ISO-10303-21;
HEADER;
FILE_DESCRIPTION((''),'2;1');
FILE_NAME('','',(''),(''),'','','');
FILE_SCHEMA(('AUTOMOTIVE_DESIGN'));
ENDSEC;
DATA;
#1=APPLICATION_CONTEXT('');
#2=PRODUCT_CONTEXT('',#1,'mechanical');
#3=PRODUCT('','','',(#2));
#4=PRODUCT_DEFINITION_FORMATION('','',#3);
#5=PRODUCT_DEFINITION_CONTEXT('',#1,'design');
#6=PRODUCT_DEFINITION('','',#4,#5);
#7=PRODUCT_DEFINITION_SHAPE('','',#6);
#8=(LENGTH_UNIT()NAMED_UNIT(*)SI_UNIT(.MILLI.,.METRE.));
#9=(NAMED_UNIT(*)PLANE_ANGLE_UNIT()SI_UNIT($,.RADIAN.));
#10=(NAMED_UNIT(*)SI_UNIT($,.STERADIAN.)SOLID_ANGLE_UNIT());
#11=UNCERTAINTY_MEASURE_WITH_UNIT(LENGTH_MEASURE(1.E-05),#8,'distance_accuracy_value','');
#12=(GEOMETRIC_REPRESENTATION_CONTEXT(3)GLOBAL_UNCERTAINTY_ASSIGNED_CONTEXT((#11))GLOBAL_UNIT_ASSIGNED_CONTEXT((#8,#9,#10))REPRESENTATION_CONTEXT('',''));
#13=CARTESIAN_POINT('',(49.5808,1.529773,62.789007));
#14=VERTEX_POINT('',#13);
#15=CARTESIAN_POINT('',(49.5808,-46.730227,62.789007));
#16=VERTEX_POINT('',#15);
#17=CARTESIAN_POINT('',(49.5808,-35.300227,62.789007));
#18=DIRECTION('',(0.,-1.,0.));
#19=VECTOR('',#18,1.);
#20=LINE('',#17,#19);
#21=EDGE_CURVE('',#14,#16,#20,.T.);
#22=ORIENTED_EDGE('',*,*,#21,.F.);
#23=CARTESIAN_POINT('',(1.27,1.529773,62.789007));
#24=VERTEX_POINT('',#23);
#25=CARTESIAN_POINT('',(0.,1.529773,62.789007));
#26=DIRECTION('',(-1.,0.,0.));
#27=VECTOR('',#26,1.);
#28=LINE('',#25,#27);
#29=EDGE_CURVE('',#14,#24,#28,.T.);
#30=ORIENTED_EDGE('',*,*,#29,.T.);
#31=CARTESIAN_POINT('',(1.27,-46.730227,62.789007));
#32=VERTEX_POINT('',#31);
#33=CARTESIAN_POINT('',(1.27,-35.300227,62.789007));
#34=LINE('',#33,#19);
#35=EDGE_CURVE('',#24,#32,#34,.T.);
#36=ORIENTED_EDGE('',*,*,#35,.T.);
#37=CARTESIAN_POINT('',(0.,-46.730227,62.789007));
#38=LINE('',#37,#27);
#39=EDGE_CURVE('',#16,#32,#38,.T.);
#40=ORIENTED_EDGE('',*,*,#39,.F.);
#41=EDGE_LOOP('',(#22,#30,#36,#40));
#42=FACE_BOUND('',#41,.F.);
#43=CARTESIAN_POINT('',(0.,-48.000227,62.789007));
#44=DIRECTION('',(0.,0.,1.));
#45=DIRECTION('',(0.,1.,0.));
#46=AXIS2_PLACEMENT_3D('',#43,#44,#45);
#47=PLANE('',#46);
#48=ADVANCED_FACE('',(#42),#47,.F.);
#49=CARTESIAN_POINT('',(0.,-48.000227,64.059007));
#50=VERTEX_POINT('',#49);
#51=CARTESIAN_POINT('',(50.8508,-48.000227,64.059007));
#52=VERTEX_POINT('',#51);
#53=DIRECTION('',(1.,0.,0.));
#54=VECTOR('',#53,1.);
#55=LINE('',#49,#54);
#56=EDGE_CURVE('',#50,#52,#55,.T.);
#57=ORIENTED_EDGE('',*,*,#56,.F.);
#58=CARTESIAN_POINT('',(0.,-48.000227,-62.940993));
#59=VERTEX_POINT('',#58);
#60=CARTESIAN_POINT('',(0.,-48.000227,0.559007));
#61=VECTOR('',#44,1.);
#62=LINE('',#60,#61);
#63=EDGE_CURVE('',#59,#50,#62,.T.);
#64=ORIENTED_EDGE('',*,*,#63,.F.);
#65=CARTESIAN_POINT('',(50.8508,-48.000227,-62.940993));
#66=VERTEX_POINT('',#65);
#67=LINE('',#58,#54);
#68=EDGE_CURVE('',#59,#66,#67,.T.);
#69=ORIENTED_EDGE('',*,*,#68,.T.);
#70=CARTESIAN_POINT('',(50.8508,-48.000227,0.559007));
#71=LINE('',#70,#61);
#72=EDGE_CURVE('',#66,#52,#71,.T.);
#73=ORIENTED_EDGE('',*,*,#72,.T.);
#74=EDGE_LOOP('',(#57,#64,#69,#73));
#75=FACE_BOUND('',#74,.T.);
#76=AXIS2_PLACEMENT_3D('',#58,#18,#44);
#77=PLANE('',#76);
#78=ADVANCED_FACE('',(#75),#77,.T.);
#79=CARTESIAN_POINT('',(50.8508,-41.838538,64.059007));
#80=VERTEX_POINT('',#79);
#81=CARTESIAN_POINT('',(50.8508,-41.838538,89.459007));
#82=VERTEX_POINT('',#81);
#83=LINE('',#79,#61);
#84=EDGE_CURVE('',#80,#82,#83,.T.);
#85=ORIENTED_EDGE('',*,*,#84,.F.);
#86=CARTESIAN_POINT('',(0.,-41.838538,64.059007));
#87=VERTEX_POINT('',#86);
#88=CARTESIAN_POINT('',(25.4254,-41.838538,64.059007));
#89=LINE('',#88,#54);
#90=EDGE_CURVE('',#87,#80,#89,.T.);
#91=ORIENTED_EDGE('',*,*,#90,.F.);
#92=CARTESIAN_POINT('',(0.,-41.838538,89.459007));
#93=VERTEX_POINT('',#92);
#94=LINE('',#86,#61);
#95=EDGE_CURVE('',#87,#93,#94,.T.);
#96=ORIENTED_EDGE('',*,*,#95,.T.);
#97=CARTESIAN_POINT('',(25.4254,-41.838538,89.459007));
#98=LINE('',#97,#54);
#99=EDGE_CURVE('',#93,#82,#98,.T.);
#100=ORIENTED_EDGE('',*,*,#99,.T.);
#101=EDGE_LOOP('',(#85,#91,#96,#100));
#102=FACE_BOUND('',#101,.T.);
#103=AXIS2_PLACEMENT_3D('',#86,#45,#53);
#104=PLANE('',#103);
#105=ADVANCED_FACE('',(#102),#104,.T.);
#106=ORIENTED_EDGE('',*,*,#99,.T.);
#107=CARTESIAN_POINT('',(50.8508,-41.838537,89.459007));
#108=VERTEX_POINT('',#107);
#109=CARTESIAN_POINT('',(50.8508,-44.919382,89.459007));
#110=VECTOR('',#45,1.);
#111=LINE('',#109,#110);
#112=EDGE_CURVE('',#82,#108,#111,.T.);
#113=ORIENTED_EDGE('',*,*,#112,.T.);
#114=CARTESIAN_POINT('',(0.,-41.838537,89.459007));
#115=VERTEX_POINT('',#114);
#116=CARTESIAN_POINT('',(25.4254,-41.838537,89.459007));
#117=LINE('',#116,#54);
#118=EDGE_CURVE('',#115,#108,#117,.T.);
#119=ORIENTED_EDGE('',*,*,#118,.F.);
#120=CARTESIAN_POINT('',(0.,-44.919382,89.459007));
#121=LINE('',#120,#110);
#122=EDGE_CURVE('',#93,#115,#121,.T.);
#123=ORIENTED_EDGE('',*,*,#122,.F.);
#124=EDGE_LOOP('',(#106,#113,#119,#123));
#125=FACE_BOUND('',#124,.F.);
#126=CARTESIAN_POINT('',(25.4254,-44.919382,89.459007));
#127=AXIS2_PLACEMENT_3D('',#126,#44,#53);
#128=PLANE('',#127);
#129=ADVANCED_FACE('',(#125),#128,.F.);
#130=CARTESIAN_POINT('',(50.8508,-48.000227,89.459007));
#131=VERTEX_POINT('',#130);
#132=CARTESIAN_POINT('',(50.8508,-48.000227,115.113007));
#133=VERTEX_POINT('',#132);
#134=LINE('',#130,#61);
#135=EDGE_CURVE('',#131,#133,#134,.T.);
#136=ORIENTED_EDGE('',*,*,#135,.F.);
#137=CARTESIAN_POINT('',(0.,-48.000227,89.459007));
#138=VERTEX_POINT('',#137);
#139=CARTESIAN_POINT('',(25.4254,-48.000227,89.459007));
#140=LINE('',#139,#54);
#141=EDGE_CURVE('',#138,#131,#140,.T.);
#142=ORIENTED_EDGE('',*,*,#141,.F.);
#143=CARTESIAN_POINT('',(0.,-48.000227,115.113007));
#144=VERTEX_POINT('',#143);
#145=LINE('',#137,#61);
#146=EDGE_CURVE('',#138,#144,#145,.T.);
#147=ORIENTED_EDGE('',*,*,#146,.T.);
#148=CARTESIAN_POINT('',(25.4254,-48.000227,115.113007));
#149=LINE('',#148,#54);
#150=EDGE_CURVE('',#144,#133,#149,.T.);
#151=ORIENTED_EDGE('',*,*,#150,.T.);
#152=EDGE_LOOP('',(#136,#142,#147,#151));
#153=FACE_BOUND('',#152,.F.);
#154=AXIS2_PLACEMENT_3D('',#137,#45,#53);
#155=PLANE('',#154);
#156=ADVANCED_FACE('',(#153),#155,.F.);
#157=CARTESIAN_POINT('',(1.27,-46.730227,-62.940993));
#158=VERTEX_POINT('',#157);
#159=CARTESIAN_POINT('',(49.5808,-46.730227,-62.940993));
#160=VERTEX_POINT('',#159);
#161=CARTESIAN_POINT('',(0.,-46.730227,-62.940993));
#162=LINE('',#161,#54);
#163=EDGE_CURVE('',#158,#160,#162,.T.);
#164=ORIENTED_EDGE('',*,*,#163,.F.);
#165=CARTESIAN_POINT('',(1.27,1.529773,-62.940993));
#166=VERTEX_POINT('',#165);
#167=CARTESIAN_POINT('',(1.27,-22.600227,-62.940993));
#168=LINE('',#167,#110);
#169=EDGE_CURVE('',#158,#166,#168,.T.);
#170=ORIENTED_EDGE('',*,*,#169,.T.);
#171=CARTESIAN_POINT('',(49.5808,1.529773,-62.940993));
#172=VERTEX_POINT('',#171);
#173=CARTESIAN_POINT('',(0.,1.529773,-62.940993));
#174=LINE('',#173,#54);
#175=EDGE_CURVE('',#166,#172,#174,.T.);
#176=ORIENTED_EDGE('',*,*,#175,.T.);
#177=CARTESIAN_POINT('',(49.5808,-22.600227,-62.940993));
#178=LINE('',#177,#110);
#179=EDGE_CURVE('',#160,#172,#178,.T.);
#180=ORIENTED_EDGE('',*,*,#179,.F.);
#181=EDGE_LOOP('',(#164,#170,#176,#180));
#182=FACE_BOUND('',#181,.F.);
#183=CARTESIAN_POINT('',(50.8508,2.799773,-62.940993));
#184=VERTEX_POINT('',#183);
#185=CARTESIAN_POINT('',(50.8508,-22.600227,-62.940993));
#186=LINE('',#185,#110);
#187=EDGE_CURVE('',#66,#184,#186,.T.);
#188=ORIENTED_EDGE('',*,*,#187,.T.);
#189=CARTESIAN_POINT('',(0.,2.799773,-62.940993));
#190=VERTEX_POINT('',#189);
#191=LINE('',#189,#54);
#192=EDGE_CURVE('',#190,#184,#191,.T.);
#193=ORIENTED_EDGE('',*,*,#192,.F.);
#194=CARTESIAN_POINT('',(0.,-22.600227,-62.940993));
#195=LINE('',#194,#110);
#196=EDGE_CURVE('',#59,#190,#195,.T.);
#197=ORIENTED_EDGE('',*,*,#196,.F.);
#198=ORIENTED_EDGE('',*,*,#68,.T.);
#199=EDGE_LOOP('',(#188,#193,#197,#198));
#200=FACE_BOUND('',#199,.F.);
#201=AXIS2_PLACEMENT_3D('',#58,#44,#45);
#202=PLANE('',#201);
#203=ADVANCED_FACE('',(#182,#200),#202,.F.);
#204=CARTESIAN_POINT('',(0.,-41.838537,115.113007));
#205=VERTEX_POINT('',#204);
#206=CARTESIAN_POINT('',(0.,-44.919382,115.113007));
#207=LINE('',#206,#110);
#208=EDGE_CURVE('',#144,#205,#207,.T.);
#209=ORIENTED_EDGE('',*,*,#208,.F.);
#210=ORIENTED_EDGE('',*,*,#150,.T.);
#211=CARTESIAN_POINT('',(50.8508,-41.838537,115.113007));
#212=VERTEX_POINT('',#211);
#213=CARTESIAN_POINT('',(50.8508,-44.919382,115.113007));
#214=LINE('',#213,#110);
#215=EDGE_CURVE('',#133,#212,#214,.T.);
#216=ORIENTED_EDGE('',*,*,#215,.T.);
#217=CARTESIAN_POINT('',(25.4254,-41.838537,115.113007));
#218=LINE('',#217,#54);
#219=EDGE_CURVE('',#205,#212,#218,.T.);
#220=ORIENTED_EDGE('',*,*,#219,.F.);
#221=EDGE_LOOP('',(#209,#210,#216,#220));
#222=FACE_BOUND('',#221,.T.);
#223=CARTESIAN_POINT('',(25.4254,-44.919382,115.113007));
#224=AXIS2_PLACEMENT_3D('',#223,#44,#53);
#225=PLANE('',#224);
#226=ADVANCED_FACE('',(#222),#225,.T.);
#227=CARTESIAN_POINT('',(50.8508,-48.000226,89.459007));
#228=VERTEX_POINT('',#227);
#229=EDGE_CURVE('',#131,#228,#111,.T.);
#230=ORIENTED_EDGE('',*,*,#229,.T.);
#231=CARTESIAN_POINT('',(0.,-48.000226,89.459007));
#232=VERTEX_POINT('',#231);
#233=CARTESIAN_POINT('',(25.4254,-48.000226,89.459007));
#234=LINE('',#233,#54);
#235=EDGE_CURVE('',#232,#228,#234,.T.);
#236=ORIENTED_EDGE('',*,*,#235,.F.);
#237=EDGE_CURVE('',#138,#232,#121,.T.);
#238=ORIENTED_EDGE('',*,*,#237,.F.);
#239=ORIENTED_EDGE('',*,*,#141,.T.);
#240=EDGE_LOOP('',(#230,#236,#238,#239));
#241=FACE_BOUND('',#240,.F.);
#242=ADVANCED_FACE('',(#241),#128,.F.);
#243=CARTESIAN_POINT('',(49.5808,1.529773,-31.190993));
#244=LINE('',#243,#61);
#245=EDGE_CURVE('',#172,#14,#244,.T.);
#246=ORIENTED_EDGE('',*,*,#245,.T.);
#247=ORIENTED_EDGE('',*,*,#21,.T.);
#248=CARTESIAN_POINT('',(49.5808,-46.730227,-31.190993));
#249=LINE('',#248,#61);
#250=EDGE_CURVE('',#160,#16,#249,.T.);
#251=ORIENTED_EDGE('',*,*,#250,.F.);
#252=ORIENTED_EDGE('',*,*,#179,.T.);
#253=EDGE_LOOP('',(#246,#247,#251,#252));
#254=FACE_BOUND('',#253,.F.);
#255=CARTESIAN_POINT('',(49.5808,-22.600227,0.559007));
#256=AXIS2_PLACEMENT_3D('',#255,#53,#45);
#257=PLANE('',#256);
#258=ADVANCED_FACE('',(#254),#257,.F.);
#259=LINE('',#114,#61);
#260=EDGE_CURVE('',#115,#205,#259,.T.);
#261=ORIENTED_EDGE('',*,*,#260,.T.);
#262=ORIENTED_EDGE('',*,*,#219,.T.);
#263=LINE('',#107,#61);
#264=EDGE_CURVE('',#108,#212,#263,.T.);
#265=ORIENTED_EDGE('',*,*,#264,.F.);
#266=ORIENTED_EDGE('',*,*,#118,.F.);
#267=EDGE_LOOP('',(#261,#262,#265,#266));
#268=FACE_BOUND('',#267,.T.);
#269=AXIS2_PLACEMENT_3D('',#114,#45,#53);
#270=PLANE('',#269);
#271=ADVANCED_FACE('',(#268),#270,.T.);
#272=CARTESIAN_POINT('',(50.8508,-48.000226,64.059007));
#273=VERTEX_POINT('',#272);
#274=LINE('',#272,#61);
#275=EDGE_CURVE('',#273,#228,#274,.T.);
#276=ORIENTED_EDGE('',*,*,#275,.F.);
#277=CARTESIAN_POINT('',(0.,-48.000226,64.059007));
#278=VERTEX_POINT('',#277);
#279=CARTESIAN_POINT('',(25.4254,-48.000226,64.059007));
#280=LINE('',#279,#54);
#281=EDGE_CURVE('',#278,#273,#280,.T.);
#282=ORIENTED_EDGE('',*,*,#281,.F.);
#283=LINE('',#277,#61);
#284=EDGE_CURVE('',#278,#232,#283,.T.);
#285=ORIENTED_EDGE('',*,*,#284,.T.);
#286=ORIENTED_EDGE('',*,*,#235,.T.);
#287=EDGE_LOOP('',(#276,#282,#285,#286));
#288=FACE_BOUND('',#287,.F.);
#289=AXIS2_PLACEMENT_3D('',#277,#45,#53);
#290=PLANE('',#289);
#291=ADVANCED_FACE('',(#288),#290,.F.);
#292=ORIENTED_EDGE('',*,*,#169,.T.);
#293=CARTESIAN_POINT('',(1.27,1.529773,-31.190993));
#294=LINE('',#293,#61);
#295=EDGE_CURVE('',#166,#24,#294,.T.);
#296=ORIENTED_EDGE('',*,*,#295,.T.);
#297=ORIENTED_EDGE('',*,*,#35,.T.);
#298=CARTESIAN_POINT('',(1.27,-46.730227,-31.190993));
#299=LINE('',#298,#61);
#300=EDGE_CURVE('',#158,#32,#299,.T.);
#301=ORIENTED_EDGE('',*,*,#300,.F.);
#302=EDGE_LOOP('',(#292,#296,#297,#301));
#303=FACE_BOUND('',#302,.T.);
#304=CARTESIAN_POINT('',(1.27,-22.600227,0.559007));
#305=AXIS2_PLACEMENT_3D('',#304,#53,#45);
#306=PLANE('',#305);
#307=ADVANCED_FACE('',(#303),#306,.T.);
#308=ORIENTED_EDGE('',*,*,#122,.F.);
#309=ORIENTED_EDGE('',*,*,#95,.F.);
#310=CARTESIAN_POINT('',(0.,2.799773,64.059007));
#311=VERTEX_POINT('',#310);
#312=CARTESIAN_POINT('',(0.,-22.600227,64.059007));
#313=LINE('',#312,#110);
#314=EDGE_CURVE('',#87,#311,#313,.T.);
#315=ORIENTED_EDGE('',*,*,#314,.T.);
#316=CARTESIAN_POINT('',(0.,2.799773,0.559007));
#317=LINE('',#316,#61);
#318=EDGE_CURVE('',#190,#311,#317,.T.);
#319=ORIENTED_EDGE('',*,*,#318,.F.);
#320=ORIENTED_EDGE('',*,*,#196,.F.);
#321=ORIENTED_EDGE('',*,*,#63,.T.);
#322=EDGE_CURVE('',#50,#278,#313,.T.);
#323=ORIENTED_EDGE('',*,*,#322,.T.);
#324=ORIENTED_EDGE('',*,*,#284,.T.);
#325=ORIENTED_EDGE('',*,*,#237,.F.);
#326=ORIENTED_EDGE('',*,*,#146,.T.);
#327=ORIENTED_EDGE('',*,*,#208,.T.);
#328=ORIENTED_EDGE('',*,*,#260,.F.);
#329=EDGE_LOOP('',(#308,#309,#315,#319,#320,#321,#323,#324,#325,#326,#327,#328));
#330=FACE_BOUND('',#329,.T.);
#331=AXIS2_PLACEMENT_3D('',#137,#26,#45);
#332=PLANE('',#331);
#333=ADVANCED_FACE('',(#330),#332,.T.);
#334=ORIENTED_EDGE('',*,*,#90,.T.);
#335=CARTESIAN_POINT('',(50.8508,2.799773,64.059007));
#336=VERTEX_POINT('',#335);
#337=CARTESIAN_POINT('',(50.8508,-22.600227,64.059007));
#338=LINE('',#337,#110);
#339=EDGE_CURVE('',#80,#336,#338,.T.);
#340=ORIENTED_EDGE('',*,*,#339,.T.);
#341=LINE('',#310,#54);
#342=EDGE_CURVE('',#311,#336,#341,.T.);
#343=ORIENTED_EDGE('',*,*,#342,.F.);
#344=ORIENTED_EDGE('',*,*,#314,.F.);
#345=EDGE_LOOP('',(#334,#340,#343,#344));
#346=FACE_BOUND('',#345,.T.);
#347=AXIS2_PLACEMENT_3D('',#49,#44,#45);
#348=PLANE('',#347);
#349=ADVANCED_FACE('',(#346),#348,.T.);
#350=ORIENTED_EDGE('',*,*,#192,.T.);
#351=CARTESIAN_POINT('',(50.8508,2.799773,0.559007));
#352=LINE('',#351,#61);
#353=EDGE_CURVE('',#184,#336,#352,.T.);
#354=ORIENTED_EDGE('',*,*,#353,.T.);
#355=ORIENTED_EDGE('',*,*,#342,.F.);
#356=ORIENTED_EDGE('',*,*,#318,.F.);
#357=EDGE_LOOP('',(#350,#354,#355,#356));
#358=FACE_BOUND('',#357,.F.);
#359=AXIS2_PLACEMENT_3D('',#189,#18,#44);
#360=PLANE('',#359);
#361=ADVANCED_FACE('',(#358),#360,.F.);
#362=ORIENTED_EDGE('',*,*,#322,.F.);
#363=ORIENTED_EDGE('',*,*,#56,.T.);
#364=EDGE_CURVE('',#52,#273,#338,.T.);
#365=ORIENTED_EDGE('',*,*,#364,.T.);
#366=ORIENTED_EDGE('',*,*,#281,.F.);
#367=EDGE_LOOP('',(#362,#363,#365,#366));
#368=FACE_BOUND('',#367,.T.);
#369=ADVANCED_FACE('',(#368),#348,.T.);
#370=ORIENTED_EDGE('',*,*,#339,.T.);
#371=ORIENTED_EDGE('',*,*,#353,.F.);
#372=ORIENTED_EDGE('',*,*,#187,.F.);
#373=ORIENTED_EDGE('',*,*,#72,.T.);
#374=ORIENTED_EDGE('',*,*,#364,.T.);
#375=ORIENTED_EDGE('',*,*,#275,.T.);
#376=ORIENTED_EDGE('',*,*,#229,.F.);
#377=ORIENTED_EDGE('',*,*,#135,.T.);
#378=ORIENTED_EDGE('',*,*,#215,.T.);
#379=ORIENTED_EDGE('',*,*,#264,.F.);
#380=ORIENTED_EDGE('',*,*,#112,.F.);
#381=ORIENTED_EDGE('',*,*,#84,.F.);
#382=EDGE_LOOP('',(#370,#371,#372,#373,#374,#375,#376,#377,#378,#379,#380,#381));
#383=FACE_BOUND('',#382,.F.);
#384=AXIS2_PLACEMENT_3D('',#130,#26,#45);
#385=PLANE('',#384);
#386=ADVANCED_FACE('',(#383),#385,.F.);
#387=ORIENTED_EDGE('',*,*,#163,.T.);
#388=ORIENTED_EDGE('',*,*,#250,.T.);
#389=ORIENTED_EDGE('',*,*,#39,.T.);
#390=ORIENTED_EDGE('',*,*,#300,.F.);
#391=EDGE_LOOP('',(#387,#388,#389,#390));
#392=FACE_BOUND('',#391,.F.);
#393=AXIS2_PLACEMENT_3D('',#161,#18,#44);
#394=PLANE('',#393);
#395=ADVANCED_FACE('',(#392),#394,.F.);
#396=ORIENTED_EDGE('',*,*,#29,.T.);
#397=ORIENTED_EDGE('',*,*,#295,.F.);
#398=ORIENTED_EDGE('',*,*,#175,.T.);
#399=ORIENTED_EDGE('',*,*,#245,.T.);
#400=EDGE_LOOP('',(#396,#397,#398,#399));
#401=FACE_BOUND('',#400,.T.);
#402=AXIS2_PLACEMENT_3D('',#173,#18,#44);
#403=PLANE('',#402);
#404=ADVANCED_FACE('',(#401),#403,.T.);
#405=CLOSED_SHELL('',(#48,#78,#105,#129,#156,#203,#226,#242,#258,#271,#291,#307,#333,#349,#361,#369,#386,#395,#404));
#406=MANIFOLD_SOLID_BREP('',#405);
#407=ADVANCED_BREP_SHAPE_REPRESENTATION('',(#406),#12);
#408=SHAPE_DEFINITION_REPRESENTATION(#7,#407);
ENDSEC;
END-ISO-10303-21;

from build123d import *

# Parameters (mm, degrees)
F0_W      = 50.8
F0_H      = 127
F1_DEPTH  = 50.8508
F2_T      = -1.27
F3_W      = 50.8508
F3_H      = 6.161689
F4_DEPTH  = 25.4
F4_FACE_W = 50.8508
F4_FACE_H = 6.16169
F5_DEPTH  = 25.654


with BuildPart() as f1:
    # F0 (on Right) → F1 (new body)
    with BuildSketch(Plane.YZ):
        with Locations((-22.600227, 0.559007)):
            Rectangle(F0_W, F0_H)
    extrude(amount=F1_DEPTH)

    # F2
    f2_openings = [f1.faces().sort_by_distance(p)[0] for p in [
        (25.4254, -22.600227, -62.940993),
    ]]
    offset(amount=F2_T, openings=f2_openings)

    # F3 (on face) → F4 (join)
    with BuildSketch(Plane.XY.offset(64.059007)):
        with Locations((25.4254, -44.919382)):
            Rectangle(F3_W, F3_H)
    extrude(amount=F4_DEPTH)

    # F4_face (on face) → F5 (join)
    with BuildSketch(Plane(origin=(25.4254, -44.919382, 89.459007), x_dir=(1, 0, 0), z_dir=(0, 0, 1))):
        Rectangle(F4_FACE_W, F4_FACE_H)
    extrude(amount=F5_DEPTH)


solid = f1.part
